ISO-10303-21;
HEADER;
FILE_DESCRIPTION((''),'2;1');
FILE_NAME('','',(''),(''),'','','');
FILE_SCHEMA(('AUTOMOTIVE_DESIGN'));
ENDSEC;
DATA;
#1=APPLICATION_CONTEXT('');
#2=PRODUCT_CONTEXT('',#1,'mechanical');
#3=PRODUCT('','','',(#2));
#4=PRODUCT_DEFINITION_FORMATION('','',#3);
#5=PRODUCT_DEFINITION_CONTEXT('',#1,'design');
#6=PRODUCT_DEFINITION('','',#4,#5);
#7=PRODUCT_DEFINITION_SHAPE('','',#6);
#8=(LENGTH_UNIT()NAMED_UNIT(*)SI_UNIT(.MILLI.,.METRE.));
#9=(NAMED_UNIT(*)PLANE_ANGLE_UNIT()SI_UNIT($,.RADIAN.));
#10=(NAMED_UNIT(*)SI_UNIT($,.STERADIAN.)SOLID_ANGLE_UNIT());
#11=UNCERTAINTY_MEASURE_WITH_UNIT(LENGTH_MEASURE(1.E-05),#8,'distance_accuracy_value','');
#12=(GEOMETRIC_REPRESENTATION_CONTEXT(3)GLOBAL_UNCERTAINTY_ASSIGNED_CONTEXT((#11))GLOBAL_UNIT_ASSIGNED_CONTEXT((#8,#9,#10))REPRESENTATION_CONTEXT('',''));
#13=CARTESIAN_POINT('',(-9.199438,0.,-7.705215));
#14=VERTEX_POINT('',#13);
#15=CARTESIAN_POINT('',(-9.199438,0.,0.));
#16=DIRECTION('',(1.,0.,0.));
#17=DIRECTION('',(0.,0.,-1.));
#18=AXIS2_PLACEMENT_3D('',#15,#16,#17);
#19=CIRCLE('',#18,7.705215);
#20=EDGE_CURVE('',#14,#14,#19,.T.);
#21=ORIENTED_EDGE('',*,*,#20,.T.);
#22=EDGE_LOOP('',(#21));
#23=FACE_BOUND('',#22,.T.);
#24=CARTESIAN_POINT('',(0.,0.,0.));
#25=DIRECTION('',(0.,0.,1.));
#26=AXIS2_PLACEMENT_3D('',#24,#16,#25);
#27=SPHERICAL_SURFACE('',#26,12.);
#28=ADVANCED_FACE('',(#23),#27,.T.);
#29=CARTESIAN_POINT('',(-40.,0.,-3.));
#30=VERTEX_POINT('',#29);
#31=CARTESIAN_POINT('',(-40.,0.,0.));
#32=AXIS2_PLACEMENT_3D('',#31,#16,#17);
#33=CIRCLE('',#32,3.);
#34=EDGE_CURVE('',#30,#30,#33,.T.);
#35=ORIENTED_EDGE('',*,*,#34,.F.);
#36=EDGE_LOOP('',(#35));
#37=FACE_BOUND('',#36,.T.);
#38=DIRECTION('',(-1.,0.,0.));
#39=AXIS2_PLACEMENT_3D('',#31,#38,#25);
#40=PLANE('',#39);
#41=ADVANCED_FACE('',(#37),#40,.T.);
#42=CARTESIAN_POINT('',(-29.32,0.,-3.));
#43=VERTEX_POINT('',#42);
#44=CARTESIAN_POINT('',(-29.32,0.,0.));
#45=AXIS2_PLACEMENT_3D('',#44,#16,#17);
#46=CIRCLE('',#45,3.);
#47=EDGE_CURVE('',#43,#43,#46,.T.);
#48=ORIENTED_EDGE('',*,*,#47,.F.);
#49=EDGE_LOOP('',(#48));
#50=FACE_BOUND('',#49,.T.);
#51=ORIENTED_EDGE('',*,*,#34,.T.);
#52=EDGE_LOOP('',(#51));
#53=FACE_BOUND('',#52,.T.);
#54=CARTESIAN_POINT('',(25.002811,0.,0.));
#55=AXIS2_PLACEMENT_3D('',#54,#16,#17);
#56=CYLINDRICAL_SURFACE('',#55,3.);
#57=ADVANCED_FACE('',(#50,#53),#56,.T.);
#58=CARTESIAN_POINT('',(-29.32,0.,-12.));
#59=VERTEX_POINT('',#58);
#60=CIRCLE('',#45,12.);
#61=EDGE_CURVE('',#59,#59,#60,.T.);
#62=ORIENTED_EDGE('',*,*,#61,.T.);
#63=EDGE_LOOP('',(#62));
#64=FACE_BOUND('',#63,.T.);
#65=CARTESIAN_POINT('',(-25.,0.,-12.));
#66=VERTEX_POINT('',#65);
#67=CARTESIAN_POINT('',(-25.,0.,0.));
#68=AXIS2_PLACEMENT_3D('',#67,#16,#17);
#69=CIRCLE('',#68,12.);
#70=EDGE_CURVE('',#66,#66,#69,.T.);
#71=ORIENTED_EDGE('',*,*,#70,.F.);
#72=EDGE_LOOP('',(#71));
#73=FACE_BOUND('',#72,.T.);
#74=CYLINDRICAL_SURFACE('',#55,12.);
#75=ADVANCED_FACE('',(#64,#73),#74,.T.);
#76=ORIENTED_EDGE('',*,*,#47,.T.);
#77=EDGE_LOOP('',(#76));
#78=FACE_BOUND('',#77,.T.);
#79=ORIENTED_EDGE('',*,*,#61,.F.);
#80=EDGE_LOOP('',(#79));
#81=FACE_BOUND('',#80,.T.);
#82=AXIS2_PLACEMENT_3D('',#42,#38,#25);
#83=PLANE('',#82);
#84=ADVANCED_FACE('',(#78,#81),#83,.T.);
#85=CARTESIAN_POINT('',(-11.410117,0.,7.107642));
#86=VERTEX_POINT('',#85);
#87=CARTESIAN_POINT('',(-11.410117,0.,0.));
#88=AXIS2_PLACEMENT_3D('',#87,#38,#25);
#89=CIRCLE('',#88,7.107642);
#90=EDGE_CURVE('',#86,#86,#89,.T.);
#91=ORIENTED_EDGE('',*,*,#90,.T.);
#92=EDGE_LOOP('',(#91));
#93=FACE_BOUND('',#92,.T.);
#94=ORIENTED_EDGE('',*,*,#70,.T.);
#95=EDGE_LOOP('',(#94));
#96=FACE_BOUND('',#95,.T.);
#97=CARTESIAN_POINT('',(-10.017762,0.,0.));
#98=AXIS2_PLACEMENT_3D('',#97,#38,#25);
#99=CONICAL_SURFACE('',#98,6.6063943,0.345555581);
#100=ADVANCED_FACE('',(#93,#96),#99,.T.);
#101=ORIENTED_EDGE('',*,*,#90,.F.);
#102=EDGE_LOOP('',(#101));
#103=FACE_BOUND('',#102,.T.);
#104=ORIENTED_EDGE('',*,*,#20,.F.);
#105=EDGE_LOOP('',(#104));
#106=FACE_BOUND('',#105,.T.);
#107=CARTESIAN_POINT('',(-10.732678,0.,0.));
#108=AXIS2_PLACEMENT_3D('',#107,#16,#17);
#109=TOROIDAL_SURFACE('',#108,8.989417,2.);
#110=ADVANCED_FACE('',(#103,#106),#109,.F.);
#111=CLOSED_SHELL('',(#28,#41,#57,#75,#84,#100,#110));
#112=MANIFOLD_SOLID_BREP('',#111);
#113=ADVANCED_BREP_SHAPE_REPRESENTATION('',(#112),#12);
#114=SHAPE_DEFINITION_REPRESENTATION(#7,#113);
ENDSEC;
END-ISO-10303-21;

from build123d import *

# Parameters (mm, degrees)
FILLET1_R = 2


with BuildPart() as part:
    # Sketch1 → Revolve1 (revolve)
    with BuildSketch(Plane(origin=(0, 0, 0), x_dir=(1, 0, 0), z_dir=(0, 1, 0))):
        with BuildLine():
            Line((-25, 12), (-10.017761944, 6.6063943))
            ThreePointArc((-10.017761944, 6.6063943), (3.448685016, 11.493762294), (12, 0))
            Line((12, 0), (-40, 0))
            Line((-40, 0), (-40, 3))
            Line((-40, 3), (-29.32, 3))
            Line((-29.32, 3), (-29.32, 12))
            Line((-29.32, 12), (-25, 12))
        make_face()
    revolve(axis=Axis((25.002810952, 0, 0), (-1, 0, 0)))

    # Fillet1
    fillet1_edges = [part.edges().sort_by_distance(p)[0] for p in [
        (-10.017761944, 0, 6.6063943),
    ]]
    fillet(fillet1_edges, radius=FILLET1_R)


solid = part.part
